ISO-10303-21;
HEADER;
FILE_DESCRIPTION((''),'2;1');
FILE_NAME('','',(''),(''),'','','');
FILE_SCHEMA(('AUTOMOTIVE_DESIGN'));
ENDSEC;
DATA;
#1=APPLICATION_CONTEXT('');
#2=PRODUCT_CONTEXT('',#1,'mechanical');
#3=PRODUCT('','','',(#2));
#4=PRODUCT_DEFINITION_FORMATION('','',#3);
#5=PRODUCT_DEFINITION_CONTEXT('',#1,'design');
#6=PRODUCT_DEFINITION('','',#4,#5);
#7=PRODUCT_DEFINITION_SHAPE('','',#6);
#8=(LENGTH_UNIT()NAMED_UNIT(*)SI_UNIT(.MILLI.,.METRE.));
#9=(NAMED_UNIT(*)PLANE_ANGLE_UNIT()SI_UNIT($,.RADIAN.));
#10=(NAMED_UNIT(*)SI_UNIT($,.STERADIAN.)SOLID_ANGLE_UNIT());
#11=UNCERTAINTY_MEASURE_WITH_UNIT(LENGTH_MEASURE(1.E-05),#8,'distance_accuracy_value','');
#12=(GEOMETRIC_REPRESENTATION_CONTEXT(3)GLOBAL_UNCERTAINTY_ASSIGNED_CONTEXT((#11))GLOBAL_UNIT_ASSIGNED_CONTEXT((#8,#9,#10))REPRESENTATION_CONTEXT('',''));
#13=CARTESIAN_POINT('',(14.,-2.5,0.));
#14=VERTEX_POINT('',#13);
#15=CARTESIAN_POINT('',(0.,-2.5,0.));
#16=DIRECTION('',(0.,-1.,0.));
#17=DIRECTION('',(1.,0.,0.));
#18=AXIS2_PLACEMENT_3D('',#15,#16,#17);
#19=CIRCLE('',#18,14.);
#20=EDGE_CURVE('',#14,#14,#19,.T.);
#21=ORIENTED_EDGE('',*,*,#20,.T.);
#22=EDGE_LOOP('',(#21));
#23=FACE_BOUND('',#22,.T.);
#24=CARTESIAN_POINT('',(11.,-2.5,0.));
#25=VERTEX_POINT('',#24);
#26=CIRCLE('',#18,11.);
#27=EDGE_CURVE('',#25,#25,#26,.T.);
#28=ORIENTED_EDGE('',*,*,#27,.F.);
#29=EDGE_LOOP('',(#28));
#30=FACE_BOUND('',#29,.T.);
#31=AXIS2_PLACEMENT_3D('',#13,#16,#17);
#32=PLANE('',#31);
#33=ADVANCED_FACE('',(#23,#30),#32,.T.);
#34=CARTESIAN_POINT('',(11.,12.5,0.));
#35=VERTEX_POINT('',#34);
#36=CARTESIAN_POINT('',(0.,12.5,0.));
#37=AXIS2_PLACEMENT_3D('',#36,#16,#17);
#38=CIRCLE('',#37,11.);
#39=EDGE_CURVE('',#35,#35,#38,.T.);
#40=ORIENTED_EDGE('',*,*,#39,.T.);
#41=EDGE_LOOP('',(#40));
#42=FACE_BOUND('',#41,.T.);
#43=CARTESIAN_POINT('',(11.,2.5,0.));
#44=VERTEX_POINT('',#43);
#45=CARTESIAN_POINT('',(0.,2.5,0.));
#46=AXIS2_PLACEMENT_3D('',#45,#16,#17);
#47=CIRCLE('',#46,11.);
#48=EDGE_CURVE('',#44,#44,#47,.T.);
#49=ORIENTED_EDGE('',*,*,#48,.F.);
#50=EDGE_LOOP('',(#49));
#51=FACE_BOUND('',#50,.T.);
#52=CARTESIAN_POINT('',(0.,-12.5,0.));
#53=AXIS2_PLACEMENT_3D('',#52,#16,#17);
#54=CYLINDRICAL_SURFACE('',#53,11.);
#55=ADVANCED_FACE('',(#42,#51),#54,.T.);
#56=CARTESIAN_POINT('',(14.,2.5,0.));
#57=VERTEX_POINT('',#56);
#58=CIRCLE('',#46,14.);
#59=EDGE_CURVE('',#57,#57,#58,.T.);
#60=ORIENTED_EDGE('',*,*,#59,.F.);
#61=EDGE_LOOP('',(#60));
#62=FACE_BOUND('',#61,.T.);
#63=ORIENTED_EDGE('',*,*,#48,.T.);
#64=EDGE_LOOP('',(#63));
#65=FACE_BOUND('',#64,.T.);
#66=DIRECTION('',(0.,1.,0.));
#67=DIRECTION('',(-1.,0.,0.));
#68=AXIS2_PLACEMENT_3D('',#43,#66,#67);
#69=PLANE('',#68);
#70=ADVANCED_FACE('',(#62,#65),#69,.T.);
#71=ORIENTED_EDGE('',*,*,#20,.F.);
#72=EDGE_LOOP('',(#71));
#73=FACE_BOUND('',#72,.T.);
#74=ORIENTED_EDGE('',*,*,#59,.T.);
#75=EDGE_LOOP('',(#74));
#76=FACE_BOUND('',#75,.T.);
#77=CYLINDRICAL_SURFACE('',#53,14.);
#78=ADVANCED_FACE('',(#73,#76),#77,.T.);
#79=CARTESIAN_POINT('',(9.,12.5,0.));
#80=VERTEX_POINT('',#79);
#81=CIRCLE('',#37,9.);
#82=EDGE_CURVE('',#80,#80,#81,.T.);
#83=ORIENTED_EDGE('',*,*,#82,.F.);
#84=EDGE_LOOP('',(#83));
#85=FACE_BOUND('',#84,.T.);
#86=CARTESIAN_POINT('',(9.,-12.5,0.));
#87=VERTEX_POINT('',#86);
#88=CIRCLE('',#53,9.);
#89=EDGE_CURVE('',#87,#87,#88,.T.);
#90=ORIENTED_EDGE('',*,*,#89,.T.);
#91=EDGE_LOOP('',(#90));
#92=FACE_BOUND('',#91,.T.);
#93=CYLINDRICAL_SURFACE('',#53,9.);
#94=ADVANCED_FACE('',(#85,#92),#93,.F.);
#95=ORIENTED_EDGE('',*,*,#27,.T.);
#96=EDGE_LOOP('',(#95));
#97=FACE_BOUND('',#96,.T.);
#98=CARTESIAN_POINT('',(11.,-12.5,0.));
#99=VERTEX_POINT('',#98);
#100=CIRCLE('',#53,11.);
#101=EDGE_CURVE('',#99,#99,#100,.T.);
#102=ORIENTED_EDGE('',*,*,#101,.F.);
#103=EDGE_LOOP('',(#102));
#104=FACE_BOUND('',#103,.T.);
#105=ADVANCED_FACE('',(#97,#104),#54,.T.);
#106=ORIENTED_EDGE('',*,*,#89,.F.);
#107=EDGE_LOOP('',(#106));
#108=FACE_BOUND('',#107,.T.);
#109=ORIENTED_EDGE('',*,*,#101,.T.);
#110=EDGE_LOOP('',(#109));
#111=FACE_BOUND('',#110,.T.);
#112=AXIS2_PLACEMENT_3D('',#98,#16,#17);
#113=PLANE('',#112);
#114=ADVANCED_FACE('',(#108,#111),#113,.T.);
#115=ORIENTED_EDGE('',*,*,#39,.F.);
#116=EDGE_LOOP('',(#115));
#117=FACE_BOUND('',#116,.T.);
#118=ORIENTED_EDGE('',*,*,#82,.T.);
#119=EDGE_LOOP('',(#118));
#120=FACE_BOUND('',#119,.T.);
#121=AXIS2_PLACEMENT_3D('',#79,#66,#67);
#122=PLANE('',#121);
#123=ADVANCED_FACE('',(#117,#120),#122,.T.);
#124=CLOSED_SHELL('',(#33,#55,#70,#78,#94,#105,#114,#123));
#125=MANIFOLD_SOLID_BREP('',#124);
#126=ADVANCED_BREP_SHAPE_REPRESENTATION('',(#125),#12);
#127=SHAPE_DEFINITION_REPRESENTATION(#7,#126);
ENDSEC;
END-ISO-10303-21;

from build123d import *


with BuildPart() as part:
    # Sketch1 → Revolve1 (revolve)
    with BuildSketch(Plane.XY):
        Polygon((9, 12.5), (11, 12.5), (11, 2.5), (14, 2.5), (14, -2.5), (11, -2.5), (11, -12.5), (9, -12.5), align=None)
    revolve(axis=Axis((0, -12.5, 0), (0, 1, 0)))


solid = part.part
